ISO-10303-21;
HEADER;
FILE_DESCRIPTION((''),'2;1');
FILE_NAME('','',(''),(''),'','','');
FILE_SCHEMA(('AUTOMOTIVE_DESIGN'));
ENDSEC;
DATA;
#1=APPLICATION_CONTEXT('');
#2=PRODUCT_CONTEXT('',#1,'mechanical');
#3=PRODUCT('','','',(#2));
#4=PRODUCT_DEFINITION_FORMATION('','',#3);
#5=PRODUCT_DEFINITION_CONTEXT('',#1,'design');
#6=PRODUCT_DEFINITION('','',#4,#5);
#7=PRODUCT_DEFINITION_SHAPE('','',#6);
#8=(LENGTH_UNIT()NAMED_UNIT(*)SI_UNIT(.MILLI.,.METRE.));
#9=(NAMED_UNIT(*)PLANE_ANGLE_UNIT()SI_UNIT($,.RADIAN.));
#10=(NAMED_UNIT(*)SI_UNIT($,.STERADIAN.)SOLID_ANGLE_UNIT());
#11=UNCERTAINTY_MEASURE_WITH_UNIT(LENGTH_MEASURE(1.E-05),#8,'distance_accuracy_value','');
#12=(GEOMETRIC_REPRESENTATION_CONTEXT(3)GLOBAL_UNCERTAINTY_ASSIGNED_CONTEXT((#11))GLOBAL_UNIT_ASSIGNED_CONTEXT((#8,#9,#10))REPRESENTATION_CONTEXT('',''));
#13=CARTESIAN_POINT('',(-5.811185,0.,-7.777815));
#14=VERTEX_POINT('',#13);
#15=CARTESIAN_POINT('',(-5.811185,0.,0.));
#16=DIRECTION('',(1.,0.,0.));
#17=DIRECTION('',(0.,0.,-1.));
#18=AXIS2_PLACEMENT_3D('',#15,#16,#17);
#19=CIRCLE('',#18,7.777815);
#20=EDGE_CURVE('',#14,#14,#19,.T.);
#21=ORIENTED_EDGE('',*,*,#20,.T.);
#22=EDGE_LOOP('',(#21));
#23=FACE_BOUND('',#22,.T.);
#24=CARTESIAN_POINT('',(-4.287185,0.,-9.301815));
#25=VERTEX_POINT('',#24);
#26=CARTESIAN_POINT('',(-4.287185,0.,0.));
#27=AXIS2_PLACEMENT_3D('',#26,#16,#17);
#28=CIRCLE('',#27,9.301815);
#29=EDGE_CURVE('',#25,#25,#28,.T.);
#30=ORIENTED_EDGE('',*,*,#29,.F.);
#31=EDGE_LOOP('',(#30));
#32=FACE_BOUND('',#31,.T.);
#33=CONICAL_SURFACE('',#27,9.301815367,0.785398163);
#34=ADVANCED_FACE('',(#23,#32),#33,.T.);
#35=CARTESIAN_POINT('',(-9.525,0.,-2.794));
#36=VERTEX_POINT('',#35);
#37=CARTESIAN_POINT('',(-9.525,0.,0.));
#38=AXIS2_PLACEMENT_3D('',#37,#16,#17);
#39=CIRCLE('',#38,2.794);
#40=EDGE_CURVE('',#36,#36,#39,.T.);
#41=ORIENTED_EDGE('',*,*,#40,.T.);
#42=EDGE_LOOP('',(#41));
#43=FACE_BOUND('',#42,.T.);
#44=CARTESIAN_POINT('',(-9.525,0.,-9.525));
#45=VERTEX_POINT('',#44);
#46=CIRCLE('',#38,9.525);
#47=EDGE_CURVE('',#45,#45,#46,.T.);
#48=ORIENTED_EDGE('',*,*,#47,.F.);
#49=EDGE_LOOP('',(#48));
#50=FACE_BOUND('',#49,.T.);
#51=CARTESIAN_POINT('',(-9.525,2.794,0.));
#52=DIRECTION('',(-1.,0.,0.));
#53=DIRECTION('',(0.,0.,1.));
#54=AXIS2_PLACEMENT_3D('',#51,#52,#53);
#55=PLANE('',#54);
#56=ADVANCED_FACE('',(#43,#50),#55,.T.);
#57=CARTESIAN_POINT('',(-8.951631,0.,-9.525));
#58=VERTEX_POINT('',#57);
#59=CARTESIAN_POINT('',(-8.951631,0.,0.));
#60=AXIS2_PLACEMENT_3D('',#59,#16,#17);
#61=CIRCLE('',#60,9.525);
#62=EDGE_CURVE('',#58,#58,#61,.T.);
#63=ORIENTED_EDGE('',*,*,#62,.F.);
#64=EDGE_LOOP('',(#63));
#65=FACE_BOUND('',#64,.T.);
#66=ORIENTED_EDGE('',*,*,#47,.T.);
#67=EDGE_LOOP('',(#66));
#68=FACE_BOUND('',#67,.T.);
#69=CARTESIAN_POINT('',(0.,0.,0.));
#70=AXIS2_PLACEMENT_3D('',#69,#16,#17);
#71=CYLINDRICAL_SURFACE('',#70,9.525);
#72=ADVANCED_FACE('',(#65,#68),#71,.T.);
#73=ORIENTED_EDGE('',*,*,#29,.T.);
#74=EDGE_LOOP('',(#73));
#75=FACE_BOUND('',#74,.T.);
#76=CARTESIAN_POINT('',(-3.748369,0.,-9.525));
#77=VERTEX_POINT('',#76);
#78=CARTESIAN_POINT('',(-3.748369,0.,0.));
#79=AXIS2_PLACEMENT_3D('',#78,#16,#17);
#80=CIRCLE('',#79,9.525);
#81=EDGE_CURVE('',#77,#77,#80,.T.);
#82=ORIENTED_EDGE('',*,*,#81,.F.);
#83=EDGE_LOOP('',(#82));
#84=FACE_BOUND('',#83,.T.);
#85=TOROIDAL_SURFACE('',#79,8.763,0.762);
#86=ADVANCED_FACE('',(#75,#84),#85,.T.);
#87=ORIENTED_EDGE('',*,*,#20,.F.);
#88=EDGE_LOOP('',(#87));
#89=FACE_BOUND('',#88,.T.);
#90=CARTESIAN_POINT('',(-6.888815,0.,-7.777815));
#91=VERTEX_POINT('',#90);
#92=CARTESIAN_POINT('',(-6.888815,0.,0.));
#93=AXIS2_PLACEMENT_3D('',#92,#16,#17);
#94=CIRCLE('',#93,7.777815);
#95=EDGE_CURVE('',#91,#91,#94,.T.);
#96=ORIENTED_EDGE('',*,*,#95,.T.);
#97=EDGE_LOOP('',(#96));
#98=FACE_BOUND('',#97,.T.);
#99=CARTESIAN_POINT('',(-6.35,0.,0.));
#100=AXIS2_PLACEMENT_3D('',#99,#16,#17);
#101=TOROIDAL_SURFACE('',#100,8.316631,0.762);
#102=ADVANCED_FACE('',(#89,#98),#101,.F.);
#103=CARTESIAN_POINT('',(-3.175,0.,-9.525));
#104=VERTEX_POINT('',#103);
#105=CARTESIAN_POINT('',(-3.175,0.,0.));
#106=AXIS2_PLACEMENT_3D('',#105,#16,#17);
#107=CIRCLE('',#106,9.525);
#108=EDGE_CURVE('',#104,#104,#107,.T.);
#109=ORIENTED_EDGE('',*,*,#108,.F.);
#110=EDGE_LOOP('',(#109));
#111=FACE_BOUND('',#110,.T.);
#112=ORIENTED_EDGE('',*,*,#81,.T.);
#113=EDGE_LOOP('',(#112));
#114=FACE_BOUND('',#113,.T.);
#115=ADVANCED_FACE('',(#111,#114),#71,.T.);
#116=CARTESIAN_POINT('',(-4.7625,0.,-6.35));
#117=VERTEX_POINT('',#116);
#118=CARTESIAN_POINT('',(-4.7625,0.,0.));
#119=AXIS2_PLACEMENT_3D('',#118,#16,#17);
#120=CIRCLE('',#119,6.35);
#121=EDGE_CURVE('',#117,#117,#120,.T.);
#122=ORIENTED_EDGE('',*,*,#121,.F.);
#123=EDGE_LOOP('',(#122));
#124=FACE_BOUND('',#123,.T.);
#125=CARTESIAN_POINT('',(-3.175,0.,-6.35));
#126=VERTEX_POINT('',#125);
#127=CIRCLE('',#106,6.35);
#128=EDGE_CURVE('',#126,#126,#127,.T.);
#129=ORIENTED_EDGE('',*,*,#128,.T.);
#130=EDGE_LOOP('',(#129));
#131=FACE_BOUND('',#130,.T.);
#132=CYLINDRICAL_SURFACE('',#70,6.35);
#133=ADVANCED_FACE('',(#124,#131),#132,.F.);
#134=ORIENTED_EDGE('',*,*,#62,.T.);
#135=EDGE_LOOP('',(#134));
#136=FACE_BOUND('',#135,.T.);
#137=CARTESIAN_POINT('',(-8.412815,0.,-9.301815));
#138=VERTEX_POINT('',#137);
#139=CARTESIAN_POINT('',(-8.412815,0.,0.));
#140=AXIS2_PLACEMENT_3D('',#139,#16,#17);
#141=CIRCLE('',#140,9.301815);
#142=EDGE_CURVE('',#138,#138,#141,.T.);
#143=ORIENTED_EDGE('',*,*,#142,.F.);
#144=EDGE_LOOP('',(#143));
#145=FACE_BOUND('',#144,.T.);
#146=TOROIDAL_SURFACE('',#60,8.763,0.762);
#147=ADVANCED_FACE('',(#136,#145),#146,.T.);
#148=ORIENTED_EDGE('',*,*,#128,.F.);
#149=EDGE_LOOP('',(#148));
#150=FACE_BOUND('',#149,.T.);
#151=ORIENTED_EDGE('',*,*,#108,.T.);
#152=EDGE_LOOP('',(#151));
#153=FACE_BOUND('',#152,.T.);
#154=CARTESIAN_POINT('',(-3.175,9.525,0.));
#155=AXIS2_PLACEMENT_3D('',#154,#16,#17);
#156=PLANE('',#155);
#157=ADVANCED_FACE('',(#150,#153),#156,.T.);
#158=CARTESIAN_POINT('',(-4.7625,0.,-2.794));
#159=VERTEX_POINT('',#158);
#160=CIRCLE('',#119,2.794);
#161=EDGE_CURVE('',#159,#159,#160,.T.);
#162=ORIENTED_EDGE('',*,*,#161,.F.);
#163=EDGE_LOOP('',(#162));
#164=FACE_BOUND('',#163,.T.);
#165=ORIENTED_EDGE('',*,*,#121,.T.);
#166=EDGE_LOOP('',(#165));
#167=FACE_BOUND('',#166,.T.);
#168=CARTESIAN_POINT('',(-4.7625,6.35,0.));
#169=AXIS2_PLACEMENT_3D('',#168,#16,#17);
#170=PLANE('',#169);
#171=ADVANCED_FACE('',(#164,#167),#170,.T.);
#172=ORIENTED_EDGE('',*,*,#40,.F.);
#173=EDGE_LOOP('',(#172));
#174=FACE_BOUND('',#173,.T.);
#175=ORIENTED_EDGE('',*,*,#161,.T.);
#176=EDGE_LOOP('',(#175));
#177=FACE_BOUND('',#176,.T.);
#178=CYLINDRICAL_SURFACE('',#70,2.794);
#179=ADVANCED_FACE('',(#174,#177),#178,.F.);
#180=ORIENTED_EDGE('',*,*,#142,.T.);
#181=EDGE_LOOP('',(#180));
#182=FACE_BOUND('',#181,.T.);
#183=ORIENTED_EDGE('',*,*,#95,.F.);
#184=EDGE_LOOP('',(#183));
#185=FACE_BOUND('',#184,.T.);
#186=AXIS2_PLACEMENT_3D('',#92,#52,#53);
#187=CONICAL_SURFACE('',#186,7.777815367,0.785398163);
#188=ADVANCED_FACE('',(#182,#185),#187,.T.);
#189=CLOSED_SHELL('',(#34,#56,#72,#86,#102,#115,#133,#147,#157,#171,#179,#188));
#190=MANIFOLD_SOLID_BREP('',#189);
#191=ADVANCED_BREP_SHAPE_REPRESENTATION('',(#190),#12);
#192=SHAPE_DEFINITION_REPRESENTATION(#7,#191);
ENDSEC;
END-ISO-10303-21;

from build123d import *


with BuildPart() as part:
    # Sketch1 → Revolve1 (revolve)
    with BuildSketch(Plane.XY, mode=Mode.PRIVATE) as revolve1_sk:
        with BuildLine():
            Line((-3.175, 6.35), (-4.7625, 6.35))
            Line((-4.7625, 6.35), (-4.7625, 2.794))
            Line((-4.7625, 2.794), (-9.525, 2.794))
            Line((-9.525, 2.794), (-9.525, 9.525))
            Line((-9.525, 9.525), (-8.951630735, 9.525))
            ThreePointArc((-8.951630735, 9.525), (-8.660025959, 9.466996204), (-8.412815367, 9.301815367))
            Line((-8.412815367, 9.301815367), (-6.888815367, 7.777815367))
            ThreePointArc((-6.888815367, 7.777815367), (-6.35, 7.554630735), (-5.811184633, 7.777815367))
            Line((-5.811184633, 7.777815367), (-4.287184633, 9.301815367))
            ThreePointArc((-4.287184633, 9.301815367), (-4.039974041, 9.466996204), (-3.748369265, 9.525))
            Line((-3.748369265, 9.525), (-3.175, 9.525))
            Line((-3.175, 9.525), (-3.175, 6.35))
        make_face()
    revolve(revolve1_sk.sketch.rotate(Axis((0, 0, 0), (-1, 0, 0)), 90), axis=Axis((0, 0, 0), (-1, 0, 0)))


solid = part.part
